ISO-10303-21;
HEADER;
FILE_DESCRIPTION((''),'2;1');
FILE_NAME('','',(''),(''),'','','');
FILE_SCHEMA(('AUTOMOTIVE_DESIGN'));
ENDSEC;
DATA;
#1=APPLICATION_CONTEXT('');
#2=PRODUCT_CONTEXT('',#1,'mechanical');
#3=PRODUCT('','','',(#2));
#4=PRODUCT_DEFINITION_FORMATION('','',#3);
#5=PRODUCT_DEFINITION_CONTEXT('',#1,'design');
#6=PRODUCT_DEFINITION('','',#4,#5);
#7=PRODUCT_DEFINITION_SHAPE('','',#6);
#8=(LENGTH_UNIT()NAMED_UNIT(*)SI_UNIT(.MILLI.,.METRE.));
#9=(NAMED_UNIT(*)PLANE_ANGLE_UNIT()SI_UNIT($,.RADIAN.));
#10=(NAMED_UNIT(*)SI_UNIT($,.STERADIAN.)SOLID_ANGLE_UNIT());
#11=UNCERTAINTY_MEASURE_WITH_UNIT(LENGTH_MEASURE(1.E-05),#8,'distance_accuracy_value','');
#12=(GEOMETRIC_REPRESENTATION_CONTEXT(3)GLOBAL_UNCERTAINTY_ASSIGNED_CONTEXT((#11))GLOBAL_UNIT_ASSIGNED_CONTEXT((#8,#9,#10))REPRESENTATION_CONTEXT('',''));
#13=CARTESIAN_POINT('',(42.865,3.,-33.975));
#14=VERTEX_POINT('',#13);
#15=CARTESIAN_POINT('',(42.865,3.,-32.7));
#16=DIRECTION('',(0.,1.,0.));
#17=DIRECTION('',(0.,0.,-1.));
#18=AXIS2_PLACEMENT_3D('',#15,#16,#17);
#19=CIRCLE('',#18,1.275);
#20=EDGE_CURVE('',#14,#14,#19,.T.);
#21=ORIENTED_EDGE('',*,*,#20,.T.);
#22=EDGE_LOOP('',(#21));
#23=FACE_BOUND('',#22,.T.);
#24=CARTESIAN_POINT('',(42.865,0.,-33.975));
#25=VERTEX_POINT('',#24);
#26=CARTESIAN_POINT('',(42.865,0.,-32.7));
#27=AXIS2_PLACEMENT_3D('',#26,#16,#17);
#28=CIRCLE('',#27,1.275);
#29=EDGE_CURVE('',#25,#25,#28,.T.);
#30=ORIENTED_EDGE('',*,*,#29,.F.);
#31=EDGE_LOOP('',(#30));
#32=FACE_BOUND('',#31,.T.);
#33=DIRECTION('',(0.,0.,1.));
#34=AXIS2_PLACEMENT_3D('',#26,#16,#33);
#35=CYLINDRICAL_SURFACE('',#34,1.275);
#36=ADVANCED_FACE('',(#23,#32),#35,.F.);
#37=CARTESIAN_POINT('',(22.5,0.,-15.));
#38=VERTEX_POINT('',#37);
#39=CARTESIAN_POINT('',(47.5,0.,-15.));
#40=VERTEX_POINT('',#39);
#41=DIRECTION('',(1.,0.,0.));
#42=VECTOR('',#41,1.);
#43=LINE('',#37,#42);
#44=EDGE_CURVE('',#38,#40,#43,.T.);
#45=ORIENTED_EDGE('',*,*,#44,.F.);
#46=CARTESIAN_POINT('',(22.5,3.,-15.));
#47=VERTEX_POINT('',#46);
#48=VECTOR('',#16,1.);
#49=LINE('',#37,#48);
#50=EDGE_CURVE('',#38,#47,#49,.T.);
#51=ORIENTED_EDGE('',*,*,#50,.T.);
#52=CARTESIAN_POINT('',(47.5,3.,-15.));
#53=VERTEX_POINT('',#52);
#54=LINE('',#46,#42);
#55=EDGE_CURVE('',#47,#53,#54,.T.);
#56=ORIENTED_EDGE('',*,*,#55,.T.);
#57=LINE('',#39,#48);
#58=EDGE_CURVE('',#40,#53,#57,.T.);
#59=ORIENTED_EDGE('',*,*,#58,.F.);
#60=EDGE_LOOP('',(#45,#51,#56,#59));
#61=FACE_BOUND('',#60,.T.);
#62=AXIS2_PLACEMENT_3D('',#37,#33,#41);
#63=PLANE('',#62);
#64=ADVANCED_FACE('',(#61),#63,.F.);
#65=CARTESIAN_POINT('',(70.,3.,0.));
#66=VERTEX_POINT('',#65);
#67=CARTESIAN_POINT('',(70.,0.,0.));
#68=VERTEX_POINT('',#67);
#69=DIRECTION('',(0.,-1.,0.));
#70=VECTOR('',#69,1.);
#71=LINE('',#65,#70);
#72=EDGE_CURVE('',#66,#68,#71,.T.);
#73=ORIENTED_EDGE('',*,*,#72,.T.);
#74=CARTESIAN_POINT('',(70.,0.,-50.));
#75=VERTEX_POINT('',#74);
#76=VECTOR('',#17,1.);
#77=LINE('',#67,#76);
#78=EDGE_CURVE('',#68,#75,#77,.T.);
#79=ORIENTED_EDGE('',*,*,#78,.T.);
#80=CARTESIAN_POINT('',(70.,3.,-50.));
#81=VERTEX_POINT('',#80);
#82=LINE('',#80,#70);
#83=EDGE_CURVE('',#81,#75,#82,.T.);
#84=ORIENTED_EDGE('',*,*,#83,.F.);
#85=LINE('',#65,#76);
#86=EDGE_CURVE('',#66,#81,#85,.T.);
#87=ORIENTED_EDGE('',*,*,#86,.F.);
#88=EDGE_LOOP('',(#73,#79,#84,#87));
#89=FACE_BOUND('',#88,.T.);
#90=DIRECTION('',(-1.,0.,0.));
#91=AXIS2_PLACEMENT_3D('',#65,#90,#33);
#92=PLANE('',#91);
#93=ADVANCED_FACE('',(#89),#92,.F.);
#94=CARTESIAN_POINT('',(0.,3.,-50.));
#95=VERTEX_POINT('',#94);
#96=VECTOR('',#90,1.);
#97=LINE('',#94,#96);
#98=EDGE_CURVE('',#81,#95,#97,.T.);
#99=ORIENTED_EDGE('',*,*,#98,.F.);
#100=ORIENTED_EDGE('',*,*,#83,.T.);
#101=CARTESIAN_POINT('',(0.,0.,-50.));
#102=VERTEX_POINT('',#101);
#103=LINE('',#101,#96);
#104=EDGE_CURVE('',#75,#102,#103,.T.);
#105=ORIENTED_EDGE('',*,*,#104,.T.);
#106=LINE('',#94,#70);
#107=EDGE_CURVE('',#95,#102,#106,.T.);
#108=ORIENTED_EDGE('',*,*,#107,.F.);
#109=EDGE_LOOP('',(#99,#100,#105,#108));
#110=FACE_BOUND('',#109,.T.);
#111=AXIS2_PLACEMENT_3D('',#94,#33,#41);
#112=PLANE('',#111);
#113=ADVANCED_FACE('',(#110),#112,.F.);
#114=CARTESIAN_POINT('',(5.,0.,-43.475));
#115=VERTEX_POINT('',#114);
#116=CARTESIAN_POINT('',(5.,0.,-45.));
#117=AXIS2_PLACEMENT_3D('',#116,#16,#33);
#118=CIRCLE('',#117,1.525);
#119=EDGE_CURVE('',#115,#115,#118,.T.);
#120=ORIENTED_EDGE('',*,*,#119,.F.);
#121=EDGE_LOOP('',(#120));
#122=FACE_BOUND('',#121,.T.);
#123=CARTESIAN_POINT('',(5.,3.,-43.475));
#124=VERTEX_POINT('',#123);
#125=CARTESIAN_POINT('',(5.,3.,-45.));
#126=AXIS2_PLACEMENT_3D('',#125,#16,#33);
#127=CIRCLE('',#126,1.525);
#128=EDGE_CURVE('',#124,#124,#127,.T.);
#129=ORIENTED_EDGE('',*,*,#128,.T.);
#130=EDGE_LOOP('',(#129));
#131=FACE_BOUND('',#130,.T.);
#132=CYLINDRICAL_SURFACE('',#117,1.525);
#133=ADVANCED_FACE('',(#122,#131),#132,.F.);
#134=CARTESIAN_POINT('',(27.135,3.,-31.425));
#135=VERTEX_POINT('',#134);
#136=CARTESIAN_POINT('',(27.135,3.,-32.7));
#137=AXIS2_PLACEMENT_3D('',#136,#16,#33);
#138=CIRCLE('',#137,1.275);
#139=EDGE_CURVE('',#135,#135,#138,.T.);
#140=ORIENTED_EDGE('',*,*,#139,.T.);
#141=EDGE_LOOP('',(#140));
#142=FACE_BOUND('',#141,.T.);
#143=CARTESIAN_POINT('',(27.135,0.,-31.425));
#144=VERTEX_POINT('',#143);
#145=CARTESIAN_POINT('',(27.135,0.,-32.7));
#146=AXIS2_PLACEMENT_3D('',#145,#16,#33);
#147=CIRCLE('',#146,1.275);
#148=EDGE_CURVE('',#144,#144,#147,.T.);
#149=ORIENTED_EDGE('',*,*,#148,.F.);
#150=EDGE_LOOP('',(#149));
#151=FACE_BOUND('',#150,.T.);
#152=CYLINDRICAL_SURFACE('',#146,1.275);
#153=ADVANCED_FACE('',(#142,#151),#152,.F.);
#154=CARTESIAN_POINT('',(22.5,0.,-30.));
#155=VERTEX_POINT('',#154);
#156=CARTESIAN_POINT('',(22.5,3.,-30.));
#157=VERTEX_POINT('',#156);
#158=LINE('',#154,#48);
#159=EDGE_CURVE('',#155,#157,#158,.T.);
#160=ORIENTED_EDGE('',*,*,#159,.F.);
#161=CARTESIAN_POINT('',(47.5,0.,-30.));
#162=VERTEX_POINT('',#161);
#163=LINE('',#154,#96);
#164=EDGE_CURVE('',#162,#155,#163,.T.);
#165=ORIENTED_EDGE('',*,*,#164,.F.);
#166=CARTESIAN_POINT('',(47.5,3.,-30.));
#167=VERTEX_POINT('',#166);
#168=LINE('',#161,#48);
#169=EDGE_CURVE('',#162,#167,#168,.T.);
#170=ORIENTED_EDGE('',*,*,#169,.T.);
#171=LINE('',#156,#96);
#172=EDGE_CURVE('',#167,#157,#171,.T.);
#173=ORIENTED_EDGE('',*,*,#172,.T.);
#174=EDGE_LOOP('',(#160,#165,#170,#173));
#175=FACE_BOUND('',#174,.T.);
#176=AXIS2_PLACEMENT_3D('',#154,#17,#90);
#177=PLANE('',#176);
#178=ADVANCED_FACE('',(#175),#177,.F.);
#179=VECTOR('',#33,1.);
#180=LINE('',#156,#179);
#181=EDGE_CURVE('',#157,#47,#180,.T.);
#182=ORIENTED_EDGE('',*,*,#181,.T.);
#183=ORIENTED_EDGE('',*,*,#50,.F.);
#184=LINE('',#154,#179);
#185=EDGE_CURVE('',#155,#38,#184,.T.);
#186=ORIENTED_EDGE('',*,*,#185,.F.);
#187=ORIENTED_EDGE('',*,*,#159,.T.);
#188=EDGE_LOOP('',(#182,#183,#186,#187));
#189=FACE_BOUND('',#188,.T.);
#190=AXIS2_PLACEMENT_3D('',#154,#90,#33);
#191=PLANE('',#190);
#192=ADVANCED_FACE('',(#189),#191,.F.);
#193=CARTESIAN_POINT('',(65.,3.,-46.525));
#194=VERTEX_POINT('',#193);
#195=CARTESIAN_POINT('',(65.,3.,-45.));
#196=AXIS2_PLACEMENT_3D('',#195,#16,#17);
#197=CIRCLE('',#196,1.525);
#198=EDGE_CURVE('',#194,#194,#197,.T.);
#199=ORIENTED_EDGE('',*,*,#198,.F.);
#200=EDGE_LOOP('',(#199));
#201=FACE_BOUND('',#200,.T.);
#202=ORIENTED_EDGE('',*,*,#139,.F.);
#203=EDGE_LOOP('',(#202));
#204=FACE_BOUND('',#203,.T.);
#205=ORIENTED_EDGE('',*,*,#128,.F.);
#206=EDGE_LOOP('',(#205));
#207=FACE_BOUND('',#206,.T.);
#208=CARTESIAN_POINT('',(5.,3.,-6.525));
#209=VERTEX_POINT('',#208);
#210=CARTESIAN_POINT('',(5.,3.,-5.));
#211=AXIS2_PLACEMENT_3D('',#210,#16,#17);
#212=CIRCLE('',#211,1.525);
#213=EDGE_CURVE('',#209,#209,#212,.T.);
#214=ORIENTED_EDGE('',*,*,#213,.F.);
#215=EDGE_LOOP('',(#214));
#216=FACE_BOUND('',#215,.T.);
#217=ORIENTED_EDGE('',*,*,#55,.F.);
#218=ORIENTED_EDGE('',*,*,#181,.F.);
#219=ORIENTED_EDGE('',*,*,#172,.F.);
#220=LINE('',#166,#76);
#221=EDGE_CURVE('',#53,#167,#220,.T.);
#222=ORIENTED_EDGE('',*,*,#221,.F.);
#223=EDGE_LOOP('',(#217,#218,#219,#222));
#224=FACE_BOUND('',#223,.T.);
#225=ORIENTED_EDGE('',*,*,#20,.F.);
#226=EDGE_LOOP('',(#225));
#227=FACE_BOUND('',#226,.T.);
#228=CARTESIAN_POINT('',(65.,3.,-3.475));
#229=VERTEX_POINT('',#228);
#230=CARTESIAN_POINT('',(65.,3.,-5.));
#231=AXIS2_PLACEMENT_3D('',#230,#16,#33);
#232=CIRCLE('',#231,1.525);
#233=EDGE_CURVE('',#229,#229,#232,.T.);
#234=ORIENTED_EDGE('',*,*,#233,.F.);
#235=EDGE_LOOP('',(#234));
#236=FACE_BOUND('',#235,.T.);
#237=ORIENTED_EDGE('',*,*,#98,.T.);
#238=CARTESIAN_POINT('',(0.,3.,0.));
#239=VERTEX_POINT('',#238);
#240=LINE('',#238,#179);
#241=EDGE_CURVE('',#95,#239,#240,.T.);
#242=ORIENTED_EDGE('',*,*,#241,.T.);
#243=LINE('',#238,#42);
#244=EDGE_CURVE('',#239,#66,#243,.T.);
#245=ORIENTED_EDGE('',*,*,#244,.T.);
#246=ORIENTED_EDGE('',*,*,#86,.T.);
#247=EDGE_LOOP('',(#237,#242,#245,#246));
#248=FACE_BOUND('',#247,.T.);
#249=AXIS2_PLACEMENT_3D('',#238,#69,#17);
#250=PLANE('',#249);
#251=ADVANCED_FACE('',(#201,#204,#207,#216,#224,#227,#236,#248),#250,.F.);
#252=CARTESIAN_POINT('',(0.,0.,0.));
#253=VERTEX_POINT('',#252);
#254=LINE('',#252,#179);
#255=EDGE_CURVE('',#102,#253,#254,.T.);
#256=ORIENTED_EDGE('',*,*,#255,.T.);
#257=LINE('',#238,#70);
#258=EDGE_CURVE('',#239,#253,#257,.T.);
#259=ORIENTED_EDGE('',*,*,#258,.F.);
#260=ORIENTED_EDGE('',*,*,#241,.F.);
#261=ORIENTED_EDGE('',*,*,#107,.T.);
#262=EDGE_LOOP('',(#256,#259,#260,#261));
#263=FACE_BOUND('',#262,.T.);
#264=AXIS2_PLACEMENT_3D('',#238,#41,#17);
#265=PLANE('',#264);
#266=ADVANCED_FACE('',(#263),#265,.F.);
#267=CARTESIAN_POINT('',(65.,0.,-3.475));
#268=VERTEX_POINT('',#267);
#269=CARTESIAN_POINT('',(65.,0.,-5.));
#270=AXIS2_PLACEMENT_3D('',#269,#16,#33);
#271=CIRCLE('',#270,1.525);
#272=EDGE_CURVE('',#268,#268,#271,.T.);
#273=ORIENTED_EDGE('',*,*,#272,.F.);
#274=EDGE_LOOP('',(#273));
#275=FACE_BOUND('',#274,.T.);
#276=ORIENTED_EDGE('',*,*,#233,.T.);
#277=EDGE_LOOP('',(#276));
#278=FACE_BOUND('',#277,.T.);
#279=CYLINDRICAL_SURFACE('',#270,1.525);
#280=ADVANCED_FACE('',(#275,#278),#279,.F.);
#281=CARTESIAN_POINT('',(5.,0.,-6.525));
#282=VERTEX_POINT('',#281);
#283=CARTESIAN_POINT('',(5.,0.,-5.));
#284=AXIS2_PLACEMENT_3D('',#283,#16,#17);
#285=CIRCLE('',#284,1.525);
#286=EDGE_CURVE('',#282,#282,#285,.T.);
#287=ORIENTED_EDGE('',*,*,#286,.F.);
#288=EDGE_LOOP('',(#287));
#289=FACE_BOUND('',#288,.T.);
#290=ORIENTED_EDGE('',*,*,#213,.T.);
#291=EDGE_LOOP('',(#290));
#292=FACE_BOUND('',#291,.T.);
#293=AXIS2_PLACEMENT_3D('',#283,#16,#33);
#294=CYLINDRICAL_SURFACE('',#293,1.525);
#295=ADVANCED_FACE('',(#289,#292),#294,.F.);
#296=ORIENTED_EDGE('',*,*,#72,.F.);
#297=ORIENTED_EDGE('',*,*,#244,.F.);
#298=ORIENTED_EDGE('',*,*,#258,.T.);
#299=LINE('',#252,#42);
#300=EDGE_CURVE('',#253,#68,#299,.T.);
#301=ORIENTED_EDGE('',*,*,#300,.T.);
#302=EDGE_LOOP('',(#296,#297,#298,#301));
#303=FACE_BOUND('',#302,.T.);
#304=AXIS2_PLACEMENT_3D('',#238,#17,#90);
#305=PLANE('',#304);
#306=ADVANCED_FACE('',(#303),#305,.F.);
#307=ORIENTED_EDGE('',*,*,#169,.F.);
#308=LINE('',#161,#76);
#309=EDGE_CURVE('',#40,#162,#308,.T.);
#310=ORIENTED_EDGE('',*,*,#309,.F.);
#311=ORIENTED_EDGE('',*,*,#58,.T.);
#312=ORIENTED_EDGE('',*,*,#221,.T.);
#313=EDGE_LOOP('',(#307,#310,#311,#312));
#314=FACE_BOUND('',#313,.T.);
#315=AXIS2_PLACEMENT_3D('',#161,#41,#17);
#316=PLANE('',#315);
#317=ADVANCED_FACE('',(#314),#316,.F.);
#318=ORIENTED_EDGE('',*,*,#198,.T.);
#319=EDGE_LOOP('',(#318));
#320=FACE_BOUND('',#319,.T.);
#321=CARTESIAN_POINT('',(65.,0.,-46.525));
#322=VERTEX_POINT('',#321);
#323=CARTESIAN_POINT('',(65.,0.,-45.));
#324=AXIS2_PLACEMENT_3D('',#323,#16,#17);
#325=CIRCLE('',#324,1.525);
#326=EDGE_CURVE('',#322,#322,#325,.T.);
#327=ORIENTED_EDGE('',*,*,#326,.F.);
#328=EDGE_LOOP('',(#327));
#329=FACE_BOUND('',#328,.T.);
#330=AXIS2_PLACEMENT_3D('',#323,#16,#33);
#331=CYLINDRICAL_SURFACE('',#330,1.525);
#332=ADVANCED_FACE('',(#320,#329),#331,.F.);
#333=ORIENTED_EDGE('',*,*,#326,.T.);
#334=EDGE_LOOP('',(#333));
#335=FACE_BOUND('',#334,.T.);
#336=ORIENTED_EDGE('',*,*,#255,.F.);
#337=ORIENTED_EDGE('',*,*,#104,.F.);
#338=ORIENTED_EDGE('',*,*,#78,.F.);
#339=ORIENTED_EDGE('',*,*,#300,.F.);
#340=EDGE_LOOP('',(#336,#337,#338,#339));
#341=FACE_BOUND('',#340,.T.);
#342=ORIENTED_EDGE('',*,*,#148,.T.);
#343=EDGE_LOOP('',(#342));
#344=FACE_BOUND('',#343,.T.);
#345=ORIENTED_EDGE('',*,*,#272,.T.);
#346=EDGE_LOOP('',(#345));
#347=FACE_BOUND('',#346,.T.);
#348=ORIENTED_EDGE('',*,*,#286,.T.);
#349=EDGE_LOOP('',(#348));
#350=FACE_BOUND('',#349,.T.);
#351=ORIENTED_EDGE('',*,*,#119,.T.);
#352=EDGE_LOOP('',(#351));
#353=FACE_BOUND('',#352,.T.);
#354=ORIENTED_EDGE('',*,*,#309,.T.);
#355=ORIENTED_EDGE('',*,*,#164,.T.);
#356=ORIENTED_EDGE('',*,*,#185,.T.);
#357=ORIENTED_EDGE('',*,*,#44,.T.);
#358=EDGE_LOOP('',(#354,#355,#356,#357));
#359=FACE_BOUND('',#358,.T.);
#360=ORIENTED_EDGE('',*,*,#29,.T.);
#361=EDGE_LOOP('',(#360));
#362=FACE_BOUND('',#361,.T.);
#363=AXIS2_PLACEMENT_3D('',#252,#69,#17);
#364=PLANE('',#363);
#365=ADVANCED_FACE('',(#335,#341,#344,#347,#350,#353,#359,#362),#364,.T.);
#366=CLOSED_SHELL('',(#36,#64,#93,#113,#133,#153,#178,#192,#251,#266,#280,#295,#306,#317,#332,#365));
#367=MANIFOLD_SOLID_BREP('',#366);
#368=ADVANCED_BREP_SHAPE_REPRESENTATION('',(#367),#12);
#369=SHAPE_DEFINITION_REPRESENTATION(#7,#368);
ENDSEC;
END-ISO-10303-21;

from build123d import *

# Parameters (mm, degrees)
SKETCH1_W           = 70
SKETCH1_H           = 50
BOSS_EXTRUDE1_DEPTH = 3
SKETCH2_R           = 1.275
SKETCH2_W           = 25
SKETCH2_H           = 15
CUT_EXTRUDE1_DEPTH  = 3
SKETCH3_R           = 1.525
CUT_EXTRUDE2_DEPTH  = 3


with BuildPart() as part:
    # Sketch1 → Boss-Extrude1 (new body)
    with BuildSketch(Plane(origin=(0, 0, 0), x_dir=(1, 0, 0), z_dir=(0, 1, 0))):
        with Locations((35, 25)):
            Rectangle(SKETCH1_W, SKETCH1_H)
    extrude(amount=BOSS_EXTRUDE1_DEPTH)

    # Sketch2 → Cut-Extrude1 (cut)
    with BuildSketch(Plane(origin=(0, 3, 0), x_dir=(1, 0, 0), z_dir=(0, 1, 0))):
        with Locations(Location((27.135, 32.7, 0), (0, 0, 270))):
            Circle(SKETCH2_R)
        with Locations(Location((42.865, 32.7, 0), (0, 0, 90))):
            Circle(SKETCH2_R)
        with Locations((35, 22.5)):
            Rectangle(SKETCH2_W, SKETCH2_H)
    extrude(amount=-CUT_EXTRUDE1_DEPTH, mode=Mode.SUBTRACT)

    # Sketch3 → Cut-Extrude2 (cut)
    with BuildSketch(Plane(origin=(0, 3, 0), x_dir=(1, 0, 0), z_dir=(0, 1, 0))):
        with Locations(Location((5, 45, 0), (0, 0, 270))):
            Circle(SKETCH3_R)
        with Locations(Location((65, 45, 0), (0, 0, 90))):
            Circle(SKETCH3_R)
        with Locations(Location((65, 5, 0), (0, 0, 270))):
            Circle(SKETCH3_R)
        with Locations(Location((5, 5, 0), (0, 0, 90))):
            Circle(SKETCH3_R)
    extrude(amount=-CUT_EXTRUDE2_DEPTH, mode=Mode.SUBTRACT)


solid = part.part
